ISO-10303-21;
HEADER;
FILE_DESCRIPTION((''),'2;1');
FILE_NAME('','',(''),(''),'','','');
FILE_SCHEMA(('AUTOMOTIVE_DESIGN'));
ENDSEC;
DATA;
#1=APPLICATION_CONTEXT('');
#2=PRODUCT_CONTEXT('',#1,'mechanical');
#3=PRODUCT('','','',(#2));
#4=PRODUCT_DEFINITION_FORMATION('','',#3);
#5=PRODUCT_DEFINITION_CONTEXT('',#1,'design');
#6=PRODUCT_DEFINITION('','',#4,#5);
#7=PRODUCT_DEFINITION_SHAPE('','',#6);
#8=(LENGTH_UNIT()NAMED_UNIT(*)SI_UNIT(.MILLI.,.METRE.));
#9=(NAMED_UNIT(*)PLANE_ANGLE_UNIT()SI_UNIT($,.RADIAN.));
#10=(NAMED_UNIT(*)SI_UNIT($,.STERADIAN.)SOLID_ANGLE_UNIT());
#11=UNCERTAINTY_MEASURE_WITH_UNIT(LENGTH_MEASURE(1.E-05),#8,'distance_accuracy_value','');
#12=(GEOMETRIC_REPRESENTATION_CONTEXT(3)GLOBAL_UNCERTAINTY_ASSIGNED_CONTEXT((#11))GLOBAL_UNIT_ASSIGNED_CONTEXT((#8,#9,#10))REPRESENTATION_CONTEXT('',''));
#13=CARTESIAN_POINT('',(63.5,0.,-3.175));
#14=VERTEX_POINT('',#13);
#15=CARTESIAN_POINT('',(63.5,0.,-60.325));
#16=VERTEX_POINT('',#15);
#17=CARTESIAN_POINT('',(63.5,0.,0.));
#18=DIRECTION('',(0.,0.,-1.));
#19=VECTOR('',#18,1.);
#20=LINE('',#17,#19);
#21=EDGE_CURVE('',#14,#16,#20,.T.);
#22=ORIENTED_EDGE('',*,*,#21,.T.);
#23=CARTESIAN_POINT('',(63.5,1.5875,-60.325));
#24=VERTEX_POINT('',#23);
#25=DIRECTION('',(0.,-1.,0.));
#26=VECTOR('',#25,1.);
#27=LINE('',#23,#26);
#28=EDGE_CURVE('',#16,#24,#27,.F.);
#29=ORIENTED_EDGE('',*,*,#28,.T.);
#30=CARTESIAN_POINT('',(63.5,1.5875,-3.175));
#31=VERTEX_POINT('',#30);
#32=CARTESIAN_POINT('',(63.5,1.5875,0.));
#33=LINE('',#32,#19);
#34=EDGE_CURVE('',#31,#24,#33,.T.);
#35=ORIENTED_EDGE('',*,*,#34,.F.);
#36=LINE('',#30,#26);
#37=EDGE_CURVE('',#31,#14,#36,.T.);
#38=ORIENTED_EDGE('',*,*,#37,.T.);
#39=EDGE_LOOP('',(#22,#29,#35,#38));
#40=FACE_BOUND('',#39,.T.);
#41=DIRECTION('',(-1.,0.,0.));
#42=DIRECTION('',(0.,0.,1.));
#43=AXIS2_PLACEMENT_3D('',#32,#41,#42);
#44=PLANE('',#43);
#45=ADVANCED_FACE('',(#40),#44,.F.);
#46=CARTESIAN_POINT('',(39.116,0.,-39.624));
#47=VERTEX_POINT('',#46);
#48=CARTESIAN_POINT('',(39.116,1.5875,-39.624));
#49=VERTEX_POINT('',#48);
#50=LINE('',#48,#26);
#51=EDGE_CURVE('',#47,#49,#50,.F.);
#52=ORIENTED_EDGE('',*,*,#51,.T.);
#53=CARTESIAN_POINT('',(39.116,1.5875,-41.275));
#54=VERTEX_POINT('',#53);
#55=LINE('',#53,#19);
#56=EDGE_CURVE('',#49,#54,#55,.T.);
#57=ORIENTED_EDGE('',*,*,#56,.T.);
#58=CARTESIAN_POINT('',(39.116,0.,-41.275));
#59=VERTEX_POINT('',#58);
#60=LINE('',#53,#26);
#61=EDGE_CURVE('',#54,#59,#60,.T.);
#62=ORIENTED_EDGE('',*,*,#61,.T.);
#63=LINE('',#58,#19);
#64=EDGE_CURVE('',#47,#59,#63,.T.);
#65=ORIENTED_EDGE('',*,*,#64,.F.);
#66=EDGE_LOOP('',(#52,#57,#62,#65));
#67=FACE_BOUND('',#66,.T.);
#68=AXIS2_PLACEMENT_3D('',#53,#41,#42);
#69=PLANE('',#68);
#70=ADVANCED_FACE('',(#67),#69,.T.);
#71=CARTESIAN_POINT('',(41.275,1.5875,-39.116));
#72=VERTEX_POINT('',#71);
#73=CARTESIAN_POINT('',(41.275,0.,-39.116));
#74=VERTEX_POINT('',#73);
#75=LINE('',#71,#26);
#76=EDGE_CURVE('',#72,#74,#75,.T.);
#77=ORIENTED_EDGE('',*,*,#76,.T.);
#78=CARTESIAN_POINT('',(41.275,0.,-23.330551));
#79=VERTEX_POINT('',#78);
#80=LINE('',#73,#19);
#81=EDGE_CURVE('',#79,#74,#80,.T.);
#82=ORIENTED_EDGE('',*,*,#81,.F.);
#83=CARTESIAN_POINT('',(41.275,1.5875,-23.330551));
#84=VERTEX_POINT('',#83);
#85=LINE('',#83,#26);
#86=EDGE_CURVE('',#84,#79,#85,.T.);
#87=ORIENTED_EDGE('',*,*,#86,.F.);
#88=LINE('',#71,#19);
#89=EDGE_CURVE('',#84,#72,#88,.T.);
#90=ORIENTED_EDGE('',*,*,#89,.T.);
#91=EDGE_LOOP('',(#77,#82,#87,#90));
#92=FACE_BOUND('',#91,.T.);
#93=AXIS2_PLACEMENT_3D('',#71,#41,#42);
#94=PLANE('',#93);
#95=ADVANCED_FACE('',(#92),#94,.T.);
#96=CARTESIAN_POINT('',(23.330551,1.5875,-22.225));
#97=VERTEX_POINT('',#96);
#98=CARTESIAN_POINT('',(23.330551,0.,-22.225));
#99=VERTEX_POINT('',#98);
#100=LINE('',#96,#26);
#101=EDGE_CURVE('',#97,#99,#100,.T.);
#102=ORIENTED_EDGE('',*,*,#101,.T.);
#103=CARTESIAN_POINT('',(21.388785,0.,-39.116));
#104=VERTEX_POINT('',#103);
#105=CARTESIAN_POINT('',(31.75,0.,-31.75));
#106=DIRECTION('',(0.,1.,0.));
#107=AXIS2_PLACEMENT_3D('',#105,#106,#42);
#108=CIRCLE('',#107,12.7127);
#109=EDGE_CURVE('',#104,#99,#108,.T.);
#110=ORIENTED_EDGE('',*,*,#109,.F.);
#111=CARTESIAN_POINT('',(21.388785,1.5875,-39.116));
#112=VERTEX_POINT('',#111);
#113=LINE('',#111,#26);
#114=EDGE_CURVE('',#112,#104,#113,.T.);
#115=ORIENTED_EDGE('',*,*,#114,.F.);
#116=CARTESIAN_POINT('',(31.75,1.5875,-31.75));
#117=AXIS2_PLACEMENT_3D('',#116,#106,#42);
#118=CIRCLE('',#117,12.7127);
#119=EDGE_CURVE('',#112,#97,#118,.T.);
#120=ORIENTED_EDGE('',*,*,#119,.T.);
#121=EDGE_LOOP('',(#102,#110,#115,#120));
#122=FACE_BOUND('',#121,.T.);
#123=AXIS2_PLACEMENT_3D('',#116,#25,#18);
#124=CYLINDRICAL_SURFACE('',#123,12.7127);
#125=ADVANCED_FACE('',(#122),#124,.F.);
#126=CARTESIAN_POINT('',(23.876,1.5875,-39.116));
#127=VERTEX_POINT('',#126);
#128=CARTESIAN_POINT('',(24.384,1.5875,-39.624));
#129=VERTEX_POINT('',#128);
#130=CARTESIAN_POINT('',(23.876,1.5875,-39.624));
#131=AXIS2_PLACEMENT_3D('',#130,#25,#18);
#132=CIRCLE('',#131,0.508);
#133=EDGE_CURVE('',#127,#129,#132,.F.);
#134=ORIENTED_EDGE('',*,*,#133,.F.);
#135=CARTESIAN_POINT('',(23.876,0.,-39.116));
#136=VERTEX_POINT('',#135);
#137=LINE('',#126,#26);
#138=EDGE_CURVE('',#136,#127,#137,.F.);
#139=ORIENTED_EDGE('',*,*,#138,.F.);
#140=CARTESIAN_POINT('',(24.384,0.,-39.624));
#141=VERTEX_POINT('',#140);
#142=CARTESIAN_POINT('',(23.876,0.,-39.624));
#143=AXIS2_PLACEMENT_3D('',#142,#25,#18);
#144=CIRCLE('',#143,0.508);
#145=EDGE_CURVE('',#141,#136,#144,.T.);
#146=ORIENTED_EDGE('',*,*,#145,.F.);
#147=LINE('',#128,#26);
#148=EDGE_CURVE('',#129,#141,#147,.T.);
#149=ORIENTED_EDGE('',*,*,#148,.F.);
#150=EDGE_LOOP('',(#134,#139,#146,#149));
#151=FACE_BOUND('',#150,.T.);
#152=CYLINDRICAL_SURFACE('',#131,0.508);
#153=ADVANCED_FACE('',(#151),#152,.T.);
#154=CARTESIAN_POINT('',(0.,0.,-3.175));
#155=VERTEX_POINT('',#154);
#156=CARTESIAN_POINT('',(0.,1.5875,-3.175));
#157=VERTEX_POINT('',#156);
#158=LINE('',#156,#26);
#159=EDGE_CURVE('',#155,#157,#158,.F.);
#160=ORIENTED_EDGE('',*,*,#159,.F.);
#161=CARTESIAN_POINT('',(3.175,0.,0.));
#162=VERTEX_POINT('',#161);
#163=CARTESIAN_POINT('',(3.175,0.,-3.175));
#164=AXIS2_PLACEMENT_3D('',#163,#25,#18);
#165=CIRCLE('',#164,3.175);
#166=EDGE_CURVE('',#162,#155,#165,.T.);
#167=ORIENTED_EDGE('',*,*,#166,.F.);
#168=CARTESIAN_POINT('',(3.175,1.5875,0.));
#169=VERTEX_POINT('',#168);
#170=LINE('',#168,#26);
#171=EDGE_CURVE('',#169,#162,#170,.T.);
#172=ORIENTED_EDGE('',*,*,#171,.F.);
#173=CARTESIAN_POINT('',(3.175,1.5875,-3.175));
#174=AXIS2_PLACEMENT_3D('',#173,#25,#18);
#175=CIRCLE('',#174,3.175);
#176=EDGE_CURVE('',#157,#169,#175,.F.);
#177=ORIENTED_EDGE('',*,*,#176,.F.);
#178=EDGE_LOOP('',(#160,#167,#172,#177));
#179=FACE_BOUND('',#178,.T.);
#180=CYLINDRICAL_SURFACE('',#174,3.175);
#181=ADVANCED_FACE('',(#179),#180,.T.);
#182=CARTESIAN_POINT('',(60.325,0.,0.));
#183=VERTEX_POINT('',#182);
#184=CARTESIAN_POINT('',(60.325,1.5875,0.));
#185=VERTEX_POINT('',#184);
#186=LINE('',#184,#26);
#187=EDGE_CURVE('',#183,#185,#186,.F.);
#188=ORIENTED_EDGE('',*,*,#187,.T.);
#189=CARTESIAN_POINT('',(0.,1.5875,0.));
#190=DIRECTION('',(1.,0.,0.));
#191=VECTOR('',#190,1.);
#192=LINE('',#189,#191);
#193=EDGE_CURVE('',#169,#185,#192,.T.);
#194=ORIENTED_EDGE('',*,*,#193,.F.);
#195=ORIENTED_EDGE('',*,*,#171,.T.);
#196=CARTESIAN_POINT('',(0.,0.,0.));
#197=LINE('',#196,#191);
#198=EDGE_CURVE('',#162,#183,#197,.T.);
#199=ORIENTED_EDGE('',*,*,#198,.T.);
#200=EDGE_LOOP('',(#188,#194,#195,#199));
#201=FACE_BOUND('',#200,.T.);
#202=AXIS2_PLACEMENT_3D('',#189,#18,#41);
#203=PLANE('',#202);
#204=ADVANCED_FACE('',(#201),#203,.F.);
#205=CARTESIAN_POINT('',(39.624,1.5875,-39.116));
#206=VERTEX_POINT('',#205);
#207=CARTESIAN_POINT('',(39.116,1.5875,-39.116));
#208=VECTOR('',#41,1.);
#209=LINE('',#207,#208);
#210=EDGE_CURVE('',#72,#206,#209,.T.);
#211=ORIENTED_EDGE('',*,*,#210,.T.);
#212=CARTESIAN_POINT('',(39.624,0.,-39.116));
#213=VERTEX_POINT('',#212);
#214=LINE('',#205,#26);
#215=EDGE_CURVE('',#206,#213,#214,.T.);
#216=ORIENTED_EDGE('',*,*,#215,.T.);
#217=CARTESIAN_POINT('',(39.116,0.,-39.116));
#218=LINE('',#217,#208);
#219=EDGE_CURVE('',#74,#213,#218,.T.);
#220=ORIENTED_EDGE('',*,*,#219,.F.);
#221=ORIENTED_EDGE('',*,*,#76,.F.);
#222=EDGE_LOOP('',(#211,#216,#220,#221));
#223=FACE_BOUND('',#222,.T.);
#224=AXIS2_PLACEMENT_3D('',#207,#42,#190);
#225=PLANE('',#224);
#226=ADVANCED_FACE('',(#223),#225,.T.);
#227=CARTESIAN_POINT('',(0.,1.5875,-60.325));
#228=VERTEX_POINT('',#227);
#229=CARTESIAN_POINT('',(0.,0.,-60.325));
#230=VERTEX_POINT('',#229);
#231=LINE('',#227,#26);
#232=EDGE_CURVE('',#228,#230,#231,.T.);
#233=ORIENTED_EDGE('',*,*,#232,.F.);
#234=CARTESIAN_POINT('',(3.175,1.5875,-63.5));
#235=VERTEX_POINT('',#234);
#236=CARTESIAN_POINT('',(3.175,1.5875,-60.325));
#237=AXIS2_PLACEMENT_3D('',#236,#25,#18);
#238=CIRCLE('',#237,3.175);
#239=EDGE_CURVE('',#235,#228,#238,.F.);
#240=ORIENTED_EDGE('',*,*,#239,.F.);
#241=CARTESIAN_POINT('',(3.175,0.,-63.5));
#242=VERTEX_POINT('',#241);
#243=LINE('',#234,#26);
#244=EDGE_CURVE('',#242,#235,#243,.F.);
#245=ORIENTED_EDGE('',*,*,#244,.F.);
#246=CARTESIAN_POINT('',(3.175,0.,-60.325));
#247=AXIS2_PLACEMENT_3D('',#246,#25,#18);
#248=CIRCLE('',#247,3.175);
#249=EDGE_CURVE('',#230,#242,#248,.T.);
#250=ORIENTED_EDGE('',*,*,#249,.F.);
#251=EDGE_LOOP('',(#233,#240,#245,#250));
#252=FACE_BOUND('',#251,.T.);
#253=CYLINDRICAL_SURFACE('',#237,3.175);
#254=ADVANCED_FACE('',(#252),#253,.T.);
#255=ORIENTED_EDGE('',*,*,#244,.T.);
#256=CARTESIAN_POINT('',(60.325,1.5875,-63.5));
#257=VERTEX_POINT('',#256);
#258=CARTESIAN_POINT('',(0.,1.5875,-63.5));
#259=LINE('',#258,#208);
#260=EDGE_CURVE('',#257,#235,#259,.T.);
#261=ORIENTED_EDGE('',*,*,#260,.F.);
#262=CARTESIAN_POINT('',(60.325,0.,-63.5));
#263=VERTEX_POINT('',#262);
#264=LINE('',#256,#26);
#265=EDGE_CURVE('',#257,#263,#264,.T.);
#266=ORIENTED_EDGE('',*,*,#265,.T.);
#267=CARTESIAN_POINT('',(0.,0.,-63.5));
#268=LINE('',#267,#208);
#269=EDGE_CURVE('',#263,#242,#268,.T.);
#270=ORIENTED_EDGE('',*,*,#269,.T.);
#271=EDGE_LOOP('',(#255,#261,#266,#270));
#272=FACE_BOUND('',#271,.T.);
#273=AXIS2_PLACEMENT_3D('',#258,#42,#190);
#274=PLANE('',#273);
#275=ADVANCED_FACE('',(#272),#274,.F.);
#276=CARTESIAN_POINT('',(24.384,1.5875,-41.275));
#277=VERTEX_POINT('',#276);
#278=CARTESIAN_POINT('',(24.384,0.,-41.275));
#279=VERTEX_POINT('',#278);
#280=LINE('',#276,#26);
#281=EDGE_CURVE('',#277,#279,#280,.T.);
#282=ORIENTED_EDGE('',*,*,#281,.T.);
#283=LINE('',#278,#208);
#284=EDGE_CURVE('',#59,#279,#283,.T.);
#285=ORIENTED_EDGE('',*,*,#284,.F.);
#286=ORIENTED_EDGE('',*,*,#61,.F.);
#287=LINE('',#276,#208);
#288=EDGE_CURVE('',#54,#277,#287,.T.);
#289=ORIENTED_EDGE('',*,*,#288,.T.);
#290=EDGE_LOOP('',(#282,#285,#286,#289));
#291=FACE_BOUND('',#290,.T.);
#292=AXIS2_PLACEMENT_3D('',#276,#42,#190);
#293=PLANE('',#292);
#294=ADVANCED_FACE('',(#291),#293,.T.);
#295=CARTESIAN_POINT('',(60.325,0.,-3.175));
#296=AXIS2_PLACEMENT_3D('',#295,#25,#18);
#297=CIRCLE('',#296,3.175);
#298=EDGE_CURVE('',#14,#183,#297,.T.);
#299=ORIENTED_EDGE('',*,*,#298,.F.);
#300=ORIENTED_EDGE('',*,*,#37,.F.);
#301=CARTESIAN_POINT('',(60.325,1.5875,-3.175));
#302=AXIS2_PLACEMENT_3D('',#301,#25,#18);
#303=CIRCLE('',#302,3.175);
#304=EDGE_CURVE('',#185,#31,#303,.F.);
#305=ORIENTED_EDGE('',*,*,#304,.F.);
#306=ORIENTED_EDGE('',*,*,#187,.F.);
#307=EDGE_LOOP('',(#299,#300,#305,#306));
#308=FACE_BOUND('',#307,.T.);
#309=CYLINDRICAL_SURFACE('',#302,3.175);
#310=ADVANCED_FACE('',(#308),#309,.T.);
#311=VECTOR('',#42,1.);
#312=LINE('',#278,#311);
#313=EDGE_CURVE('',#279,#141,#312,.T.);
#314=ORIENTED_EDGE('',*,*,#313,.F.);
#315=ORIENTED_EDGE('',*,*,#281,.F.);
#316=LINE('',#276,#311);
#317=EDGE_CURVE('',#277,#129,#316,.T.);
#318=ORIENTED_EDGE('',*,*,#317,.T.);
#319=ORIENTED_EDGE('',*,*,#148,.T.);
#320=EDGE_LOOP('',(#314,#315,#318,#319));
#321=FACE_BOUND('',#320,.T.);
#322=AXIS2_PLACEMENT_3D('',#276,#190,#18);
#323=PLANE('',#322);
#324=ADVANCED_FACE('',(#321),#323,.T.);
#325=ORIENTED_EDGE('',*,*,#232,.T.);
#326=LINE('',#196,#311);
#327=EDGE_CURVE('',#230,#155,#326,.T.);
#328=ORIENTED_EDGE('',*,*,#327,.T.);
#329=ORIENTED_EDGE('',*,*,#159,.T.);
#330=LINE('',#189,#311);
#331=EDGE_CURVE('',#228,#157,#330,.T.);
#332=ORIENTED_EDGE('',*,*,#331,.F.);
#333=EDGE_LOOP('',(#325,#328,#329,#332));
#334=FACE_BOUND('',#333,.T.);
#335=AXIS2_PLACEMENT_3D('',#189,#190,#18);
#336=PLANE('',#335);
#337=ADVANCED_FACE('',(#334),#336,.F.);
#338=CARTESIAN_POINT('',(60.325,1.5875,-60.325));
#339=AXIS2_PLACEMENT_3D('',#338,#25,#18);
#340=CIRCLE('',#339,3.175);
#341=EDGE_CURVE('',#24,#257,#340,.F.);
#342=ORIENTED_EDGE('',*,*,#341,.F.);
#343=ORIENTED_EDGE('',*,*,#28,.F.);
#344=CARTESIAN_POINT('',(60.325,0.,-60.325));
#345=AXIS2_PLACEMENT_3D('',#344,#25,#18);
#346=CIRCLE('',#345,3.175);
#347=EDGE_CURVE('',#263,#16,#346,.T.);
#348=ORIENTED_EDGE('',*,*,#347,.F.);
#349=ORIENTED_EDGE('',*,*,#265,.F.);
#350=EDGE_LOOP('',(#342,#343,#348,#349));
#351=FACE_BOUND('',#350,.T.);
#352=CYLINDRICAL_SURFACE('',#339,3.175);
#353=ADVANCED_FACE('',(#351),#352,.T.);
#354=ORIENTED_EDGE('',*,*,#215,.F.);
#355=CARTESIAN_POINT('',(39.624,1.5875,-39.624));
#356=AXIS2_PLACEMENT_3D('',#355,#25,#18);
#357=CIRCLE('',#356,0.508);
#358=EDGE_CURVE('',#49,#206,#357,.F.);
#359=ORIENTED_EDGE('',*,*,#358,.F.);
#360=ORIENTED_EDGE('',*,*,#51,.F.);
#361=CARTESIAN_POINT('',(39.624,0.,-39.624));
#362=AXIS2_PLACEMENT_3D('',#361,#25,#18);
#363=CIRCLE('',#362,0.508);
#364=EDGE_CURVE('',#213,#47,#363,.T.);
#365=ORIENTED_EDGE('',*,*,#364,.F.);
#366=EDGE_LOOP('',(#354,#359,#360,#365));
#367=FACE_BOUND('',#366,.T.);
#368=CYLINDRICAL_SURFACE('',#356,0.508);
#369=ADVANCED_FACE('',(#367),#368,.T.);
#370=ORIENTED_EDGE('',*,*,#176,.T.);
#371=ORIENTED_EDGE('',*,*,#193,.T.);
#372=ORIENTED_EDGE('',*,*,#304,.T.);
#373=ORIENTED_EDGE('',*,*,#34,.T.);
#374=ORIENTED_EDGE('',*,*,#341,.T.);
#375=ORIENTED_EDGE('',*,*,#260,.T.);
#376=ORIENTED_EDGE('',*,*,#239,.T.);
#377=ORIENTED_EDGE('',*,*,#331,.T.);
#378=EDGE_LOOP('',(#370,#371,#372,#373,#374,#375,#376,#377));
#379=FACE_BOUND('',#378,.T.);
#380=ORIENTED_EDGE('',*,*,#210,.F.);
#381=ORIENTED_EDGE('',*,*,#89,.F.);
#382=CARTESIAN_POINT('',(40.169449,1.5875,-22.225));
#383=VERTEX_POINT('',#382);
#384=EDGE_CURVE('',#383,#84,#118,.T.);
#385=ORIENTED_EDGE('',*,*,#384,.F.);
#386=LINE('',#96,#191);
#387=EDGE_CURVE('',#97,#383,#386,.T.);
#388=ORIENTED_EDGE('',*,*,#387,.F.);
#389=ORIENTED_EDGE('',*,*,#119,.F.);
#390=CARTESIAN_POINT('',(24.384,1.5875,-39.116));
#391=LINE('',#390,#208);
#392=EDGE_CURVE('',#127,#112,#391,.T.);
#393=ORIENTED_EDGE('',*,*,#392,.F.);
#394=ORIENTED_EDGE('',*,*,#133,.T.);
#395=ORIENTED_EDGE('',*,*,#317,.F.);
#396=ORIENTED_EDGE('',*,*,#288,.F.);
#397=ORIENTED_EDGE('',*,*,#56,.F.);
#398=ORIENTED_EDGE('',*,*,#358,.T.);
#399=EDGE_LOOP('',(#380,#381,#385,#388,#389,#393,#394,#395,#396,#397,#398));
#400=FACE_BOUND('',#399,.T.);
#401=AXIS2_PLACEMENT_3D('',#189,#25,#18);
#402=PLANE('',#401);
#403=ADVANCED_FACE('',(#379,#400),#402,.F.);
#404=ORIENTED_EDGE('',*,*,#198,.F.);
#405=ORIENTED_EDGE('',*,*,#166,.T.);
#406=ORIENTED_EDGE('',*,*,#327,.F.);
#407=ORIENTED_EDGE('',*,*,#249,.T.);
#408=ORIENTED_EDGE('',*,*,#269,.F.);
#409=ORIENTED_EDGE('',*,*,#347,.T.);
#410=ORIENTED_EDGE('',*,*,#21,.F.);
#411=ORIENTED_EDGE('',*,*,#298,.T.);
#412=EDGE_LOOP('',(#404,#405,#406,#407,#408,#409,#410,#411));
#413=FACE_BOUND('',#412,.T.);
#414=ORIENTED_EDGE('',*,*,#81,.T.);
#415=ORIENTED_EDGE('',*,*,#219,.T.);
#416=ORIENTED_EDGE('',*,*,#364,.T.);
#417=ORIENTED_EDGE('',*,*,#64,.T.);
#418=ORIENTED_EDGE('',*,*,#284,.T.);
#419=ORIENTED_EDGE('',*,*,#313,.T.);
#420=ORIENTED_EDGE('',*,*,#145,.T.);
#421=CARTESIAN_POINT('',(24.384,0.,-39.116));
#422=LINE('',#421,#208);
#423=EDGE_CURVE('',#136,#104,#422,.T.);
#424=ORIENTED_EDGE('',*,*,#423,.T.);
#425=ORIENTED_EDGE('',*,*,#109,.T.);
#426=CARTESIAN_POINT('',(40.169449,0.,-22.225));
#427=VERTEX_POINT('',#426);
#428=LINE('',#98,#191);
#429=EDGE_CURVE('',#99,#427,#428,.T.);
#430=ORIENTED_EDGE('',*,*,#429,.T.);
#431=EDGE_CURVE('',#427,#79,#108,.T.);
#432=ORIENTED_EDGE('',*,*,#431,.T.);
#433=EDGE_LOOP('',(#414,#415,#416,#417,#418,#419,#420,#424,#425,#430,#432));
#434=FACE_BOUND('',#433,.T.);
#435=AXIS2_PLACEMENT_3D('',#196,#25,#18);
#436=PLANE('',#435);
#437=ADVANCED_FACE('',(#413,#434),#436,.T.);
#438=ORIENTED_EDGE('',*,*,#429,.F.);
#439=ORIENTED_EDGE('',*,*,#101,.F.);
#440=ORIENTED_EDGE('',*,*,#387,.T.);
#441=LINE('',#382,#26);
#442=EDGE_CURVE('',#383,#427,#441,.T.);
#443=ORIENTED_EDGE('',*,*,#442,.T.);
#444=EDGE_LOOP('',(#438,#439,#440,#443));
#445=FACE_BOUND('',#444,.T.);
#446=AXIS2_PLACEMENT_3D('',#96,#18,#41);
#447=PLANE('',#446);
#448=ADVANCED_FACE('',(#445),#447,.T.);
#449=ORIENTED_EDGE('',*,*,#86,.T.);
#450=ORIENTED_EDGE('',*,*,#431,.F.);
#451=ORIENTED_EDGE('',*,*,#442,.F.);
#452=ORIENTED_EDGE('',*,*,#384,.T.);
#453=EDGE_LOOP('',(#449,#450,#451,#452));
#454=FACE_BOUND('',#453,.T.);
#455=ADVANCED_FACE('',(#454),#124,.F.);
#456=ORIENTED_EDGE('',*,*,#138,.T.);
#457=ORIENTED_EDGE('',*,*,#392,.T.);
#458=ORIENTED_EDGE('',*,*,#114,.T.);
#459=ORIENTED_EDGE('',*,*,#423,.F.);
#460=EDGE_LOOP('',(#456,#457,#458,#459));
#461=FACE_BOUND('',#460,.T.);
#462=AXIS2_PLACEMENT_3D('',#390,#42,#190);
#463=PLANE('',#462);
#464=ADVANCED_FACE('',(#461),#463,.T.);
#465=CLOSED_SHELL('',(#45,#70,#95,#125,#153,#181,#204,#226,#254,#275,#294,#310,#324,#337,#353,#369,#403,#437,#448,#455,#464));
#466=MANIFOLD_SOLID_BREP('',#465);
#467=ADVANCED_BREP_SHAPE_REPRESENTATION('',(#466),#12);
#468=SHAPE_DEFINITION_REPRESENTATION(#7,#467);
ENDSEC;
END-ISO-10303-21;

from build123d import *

# Parameters (mm, degrees)
SKETCH1_W           = 63.5
SKETCH1_H           = 63.5
BOSS_EXTRUDE1_DEPTH = 1.5875
FILLET1_R           = 0.508
FILLET2_R           = 3.175


with BuildPart() as part:
    # Sketch1 → Boss-Extrude1 (new body)
    with BuildSketch(Plane(origin=(0, 0, 0), x_dir=(1, 0, 0), z_dir=(0, 1, 0))):
        with Locations((31.75, 31.75)):
            Rectangle(SKETCH1_W, SKETCH1_H)
        with BuildLine():
            Line((24.384, 41.275), (24.384, 39.116))
            Line((24.384, 39.116), (21.388784565, 39.116))
            ThreePointArc((21.388784565, 39.116), (19.120478769, 30.298127151), (23.330551307, 22.225))
            Line((23.330551307, 22.225), (40.169448693, 22.225))
            ThreePointArc((40.169448693, 22.225), (40.739236377, 22.760763623), (41.275, 23.330551307))
            Line((41.275, 23.330551307), (41.275, 39.116))
            Line((41.275, 39.116), (39.116, 39.116))
            Line((39.116, 39.116), (39.116, 41.275))
            Line((39.116, 41.275), (24.384, 41.275))
        make_face(mode=Mode.SUBTRACT)
    extrude(amount=BOSS_EXTRUDE1_DEPTH)

    # Fillet1
    fillet1_edges = [part.edges().sort_by_distance(p)[0] for p in [
        (39.116, 0.79375, -39.116),
        (24.384, 0.79375, -39.116),
    ]]
    fillet(fillet1_edges, radius=FILLET1_R)

    # Fillet2
    fillet2_edges = [part.edges().sort_by_distance(p)[0] for p in [
        (0, 0.79375, -63.5),
        (63.5, 0.79375, -63.5),
        (63.5, 0.79375, 0),
        (0, 0.79375, 0),
    ]]
    fillet(fillet2_edges, radius=FILLET2_R)


solid = part.part
